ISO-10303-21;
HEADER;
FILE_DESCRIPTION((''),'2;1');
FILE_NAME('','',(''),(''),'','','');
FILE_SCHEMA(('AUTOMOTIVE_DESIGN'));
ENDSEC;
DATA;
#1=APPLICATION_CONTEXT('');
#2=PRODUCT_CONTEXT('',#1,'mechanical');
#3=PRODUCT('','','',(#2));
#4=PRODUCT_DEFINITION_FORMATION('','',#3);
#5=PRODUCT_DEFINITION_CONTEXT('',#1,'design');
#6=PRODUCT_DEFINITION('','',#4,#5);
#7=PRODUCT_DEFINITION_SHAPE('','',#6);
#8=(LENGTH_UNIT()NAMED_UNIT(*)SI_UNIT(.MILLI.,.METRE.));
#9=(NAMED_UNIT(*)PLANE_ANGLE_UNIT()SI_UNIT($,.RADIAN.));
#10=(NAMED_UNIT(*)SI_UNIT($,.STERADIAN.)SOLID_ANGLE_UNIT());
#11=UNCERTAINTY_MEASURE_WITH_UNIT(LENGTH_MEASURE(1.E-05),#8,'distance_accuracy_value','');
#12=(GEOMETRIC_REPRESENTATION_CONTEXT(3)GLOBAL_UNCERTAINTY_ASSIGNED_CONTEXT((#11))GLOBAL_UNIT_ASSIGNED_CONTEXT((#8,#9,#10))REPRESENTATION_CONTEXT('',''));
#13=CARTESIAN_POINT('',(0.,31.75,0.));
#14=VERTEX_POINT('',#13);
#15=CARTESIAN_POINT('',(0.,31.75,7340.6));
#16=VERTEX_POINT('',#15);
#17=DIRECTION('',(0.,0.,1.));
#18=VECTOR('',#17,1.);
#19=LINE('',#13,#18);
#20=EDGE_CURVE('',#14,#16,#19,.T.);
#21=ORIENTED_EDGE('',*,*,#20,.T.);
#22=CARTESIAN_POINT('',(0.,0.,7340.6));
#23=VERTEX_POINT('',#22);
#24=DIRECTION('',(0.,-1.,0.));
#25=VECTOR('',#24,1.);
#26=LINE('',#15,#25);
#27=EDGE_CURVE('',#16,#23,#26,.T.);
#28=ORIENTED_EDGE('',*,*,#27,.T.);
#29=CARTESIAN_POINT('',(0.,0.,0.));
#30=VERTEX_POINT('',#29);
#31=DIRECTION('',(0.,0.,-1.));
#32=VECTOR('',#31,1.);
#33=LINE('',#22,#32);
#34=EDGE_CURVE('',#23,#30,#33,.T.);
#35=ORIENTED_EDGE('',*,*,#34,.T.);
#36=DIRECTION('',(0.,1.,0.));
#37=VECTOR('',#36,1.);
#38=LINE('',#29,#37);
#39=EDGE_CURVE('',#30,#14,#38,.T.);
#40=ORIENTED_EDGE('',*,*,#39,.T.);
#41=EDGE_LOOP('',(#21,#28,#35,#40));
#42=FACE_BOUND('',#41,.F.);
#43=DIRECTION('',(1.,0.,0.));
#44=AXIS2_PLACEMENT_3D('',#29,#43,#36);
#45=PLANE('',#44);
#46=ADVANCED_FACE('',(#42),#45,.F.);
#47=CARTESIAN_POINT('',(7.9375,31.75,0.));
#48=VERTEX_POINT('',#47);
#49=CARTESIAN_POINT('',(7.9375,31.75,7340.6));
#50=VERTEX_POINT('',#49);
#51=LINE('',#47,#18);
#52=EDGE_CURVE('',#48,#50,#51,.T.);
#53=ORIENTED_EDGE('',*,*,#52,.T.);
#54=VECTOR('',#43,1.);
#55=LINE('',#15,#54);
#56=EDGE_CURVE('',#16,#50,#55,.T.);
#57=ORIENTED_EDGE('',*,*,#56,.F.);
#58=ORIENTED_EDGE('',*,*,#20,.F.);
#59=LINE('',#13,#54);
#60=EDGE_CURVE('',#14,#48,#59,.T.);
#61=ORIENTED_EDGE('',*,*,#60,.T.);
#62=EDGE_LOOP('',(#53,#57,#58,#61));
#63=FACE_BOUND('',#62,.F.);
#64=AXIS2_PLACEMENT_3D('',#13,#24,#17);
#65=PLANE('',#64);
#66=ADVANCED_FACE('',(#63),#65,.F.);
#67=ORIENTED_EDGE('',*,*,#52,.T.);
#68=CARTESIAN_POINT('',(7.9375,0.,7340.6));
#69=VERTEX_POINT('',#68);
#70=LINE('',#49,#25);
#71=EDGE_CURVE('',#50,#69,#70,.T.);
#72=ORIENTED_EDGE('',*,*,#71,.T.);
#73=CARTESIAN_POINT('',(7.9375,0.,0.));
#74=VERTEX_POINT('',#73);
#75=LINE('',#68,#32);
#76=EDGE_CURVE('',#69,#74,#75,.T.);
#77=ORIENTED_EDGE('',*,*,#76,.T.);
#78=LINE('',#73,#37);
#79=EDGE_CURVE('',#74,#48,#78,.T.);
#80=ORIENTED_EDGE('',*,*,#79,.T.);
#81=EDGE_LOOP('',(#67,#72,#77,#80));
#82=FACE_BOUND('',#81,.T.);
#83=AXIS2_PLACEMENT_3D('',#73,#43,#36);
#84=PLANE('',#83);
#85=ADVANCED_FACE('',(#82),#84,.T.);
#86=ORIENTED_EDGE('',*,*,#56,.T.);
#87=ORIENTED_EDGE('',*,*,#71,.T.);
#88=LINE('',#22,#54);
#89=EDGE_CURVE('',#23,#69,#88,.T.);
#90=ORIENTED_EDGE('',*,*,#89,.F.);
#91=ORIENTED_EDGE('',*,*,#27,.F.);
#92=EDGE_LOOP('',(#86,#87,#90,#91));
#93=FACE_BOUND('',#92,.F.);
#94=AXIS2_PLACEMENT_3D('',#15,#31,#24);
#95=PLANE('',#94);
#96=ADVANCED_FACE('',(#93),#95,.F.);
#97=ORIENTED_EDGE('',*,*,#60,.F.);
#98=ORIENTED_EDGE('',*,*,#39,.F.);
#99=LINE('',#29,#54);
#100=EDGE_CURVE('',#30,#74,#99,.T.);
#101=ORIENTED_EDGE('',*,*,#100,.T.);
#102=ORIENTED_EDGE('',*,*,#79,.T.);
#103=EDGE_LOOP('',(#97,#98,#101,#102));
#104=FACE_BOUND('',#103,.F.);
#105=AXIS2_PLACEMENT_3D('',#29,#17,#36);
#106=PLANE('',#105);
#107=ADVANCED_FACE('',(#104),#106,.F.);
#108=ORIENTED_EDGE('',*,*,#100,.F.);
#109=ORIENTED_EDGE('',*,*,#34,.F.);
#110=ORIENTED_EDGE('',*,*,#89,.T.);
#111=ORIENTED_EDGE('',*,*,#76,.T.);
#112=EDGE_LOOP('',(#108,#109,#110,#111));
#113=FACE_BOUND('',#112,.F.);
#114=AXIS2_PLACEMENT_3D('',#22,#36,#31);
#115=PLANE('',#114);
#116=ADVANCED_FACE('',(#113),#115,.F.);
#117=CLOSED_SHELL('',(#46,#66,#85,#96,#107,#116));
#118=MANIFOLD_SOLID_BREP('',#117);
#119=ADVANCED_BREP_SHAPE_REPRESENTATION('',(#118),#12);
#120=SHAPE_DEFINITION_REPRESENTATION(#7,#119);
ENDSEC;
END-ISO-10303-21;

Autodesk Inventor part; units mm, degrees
ref_plane "YZ Plane" through (0, 0, 0) normal (1, 0, 0) x (0, 1, 0)
ref_plane "XZ Plane" through (0, 0, 0) normal (0, 1, 0) x (-1, 0, 0)
ref_plane "XY Plane" through (0, 0, 0) normal (0, 0, 1) x (1, 0, 0)
sketch "Sketch1" plane through (0, 0, 0) normal (1, 0, 0) x (0, 1, 0)
  line L0 (0, 0) -> (31.75, 0)
  line L1 (31.75, 0) -> (31.75, 7340.6)
  line L2 (31.75, 7340.6) -> (0, 7340.6)
  line L3 (0, 7340.6) -> (0, 0)
  dimension "d1" = 31.75
  dimension "d4" = 7340.6
extrude "Extrusion1" add sketch "Sketch1" along normal blind 7.9375
properties part number "Starter_Strip"
